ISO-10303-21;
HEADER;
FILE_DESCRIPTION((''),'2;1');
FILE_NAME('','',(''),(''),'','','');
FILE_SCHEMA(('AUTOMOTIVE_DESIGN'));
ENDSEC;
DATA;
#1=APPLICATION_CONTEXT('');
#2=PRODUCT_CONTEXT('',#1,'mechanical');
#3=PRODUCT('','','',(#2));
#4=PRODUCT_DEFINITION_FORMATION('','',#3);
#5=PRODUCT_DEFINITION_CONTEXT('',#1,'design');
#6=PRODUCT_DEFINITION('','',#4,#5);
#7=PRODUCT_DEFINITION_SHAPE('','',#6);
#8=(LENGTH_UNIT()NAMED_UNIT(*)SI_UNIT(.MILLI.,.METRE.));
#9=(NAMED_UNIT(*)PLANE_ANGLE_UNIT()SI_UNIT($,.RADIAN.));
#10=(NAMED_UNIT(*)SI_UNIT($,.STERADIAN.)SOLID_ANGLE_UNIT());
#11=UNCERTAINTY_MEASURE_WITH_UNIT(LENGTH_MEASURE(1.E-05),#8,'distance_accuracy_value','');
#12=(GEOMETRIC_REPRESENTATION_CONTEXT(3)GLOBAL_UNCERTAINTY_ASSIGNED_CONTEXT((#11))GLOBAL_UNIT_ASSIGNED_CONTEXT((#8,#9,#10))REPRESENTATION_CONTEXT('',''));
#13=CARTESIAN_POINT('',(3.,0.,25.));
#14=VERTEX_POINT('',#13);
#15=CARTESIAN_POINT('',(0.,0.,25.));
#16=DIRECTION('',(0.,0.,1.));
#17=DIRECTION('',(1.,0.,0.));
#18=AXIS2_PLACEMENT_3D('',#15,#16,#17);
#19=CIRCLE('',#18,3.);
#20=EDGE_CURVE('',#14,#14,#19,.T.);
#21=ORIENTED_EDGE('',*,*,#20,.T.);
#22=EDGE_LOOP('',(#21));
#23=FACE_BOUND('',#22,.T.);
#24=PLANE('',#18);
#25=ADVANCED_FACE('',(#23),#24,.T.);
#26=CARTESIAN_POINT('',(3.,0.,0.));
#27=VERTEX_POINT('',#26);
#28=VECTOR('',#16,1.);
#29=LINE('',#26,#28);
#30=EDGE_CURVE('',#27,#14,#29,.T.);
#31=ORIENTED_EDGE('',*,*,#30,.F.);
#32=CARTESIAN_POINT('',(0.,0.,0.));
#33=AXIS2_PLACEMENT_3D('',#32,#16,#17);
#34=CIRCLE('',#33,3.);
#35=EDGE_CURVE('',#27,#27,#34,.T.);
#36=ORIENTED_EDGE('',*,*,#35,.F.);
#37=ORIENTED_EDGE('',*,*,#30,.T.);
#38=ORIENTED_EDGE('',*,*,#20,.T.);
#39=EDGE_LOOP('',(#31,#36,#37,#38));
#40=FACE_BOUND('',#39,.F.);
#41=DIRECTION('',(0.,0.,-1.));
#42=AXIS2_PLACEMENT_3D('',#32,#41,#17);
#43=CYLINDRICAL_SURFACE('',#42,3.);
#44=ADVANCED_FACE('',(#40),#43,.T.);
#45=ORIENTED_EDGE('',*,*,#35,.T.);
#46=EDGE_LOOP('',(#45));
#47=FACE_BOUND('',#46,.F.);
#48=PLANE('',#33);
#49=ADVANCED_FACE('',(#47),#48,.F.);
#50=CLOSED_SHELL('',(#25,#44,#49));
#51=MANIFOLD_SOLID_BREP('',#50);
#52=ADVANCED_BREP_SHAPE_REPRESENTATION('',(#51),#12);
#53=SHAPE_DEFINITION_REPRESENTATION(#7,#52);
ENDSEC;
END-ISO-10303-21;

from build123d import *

# Parameters (mm, degrees)
SKETCH1_R           = 3
BOSS_EXTRUDE1_DEPTH = 25


with BuildPart() as part:
    # Sketch1 → Boss-Extrude1 (new body)
    with BuildSketch(Plane.XY):
        Circle(SKETCH1_R)
    extrude(amount=BOSS_EXTRUDE1_DEPTH)


solid = part.part
